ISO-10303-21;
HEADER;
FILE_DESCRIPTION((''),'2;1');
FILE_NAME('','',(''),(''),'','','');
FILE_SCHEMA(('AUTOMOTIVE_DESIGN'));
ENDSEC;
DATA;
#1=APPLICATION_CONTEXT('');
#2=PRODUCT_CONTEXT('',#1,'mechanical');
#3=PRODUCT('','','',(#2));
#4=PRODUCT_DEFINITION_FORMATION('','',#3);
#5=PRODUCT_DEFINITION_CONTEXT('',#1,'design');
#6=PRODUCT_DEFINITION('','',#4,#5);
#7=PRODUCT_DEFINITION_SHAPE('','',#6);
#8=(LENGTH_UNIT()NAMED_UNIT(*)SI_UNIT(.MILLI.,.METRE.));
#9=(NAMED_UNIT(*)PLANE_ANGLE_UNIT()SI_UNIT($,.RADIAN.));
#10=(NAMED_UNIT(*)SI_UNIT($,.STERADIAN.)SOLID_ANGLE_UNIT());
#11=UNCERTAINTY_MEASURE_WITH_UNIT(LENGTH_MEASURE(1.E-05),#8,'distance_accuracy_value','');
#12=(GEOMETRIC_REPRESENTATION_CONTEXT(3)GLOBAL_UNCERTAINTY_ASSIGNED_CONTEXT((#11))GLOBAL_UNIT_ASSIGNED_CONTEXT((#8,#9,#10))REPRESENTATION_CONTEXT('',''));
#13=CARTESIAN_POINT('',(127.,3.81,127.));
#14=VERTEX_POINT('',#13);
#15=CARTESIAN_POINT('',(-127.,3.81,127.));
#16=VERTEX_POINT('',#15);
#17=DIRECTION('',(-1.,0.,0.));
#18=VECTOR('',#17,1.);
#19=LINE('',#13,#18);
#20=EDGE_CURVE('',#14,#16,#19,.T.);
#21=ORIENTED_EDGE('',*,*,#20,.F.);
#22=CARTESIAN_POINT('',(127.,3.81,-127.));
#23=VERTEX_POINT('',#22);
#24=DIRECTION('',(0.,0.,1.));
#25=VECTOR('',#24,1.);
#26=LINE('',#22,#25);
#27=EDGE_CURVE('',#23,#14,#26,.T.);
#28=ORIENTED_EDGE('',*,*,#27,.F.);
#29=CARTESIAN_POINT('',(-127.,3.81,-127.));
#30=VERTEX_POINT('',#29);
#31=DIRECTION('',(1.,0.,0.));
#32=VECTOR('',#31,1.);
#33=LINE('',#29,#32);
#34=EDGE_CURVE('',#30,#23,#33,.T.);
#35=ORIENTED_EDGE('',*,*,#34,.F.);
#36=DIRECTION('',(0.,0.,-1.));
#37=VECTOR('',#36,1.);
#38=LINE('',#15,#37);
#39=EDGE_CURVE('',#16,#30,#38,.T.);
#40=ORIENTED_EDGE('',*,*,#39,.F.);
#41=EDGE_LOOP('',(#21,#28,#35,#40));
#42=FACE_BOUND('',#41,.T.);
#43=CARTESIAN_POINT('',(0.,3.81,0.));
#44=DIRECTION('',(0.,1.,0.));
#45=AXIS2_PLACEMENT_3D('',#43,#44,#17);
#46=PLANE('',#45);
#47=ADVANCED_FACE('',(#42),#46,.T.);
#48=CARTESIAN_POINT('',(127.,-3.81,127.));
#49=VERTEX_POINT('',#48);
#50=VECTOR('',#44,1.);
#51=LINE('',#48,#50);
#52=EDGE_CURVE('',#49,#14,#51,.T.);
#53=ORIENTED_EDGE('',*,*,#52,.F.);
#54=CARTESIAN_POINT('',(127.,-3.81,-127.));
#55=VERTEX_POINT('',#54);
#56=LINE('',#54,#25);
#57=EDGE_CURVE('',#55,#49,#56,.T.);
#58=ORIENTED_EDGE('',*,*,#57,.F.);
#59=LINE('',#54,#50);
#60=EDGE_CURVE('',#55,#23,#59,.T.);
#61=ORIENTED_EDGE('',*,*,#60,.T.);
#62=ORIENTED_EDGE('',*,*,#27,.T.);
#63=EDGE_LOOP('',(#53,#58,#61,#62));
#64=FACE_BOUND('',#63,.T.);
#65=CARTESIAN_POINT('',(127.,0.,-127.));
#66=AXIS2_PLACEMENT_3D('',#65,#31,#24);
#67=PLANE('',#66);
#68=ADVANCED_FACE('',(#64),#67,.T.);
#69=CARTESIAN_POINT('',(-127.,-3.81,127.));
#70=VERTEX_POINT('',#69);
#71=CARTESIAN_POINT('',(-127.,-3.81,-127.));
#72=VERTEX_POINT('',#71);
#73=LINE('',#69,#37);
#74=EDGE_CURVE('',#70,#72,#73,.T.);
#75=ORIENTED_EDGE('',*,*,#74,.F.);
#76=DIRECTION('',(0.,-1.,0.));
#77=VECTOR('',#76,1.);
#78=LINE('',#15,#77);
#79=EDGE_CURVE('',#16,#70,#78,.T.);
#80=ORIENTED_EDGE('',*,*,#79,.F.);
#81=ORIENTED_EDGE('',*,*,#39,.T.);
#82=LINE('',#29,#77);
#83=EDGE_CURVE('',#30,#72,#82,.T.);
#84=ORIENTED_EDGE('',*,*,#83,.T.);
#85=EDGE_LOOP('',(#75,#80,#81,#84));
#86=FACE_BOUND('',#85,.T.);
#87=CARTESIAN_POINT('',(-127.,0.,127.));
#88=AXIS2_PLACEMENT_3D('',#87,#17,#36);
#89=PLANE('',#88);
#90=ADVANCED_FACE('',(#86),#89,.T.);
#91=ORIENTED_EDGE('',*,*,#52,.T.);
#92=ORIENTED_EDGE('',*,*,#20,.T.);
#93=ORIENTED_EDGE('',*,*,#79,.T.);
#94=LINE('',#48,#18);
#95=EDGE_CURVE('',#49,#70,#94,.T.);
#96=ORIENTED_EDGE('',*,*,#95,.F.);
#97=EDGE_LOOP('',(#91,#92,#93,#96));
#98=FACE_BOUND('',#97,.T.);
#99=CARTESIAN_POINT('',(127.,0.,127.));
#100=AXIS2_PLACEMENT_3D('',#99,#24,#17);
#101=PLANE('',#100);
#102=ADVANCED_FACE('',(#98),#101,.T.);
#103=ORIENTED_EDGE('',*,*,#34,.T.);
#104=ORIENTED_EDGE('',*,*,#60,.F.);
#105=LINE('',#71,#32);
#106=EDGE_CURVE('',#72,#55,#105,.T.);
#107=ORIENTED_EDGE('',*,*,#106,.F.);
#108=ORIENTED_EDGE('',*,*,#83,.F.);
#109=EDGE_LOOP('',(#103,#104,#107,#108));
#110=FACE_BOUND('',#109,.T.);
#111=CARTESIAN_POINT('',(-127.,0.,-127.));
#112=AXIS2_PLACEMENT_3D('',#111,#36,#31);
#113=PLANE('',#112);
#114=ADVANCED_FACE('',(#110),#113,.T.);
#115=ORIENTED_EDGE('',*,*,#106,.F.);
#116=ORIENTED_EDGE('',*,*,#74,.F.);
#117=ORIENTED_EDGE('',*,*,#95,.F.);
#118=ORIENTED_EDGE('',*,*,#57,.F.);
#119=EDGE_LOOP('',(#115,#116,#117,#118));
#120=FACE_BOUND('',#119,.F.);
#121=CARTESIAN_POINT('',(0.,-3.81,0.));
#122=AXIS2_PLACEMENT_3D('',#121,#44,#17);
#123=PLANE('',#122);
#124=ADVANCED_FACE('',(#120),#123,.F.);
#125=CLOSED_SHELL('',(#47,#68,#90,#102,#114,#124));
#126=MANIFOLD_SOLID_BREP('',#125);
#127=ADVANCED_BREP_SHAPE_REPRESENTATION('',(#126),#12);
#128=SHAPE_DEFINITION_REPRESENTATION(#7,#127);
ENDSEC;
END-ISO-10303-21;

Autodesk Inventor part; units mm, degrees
ref_plane "YZ Plane" through (0, 0, 0) normal (1, 0, 0) x (0, 1, 0)
ref_plane "XZ Plane" through (0, 0, 0) normal (0, 1, 0) x (-1, 0, 0)
ref_plane "XY Plane" through (0, 0, 0) normal (0, 0, 1) x (1, 0, 0)
sketch "Boceto1" plane through (0, 0, 0) normal (0, 1, 0) x (-1, 0, 0)
  line L0 (-127, 127) -> (127, 127)
  line L1 (127, 127) -> (127, -127)
  line L2 (127, -127) -> (-127, -127)
  line L3 (-127, -127) -> (-127, 127)
  line L4 (-127, 127) -> (127, -127) construction
  line L5 (127, 127) -> (-127, -127) construction
  point P0 (0, 0)
  dimension "d0" = 254
  dimension "d1" = 254
extrude "Extrusión1" add sketch "Boceto1" along normal mid plane 7.62
properties material "Acero AISI 1015"
